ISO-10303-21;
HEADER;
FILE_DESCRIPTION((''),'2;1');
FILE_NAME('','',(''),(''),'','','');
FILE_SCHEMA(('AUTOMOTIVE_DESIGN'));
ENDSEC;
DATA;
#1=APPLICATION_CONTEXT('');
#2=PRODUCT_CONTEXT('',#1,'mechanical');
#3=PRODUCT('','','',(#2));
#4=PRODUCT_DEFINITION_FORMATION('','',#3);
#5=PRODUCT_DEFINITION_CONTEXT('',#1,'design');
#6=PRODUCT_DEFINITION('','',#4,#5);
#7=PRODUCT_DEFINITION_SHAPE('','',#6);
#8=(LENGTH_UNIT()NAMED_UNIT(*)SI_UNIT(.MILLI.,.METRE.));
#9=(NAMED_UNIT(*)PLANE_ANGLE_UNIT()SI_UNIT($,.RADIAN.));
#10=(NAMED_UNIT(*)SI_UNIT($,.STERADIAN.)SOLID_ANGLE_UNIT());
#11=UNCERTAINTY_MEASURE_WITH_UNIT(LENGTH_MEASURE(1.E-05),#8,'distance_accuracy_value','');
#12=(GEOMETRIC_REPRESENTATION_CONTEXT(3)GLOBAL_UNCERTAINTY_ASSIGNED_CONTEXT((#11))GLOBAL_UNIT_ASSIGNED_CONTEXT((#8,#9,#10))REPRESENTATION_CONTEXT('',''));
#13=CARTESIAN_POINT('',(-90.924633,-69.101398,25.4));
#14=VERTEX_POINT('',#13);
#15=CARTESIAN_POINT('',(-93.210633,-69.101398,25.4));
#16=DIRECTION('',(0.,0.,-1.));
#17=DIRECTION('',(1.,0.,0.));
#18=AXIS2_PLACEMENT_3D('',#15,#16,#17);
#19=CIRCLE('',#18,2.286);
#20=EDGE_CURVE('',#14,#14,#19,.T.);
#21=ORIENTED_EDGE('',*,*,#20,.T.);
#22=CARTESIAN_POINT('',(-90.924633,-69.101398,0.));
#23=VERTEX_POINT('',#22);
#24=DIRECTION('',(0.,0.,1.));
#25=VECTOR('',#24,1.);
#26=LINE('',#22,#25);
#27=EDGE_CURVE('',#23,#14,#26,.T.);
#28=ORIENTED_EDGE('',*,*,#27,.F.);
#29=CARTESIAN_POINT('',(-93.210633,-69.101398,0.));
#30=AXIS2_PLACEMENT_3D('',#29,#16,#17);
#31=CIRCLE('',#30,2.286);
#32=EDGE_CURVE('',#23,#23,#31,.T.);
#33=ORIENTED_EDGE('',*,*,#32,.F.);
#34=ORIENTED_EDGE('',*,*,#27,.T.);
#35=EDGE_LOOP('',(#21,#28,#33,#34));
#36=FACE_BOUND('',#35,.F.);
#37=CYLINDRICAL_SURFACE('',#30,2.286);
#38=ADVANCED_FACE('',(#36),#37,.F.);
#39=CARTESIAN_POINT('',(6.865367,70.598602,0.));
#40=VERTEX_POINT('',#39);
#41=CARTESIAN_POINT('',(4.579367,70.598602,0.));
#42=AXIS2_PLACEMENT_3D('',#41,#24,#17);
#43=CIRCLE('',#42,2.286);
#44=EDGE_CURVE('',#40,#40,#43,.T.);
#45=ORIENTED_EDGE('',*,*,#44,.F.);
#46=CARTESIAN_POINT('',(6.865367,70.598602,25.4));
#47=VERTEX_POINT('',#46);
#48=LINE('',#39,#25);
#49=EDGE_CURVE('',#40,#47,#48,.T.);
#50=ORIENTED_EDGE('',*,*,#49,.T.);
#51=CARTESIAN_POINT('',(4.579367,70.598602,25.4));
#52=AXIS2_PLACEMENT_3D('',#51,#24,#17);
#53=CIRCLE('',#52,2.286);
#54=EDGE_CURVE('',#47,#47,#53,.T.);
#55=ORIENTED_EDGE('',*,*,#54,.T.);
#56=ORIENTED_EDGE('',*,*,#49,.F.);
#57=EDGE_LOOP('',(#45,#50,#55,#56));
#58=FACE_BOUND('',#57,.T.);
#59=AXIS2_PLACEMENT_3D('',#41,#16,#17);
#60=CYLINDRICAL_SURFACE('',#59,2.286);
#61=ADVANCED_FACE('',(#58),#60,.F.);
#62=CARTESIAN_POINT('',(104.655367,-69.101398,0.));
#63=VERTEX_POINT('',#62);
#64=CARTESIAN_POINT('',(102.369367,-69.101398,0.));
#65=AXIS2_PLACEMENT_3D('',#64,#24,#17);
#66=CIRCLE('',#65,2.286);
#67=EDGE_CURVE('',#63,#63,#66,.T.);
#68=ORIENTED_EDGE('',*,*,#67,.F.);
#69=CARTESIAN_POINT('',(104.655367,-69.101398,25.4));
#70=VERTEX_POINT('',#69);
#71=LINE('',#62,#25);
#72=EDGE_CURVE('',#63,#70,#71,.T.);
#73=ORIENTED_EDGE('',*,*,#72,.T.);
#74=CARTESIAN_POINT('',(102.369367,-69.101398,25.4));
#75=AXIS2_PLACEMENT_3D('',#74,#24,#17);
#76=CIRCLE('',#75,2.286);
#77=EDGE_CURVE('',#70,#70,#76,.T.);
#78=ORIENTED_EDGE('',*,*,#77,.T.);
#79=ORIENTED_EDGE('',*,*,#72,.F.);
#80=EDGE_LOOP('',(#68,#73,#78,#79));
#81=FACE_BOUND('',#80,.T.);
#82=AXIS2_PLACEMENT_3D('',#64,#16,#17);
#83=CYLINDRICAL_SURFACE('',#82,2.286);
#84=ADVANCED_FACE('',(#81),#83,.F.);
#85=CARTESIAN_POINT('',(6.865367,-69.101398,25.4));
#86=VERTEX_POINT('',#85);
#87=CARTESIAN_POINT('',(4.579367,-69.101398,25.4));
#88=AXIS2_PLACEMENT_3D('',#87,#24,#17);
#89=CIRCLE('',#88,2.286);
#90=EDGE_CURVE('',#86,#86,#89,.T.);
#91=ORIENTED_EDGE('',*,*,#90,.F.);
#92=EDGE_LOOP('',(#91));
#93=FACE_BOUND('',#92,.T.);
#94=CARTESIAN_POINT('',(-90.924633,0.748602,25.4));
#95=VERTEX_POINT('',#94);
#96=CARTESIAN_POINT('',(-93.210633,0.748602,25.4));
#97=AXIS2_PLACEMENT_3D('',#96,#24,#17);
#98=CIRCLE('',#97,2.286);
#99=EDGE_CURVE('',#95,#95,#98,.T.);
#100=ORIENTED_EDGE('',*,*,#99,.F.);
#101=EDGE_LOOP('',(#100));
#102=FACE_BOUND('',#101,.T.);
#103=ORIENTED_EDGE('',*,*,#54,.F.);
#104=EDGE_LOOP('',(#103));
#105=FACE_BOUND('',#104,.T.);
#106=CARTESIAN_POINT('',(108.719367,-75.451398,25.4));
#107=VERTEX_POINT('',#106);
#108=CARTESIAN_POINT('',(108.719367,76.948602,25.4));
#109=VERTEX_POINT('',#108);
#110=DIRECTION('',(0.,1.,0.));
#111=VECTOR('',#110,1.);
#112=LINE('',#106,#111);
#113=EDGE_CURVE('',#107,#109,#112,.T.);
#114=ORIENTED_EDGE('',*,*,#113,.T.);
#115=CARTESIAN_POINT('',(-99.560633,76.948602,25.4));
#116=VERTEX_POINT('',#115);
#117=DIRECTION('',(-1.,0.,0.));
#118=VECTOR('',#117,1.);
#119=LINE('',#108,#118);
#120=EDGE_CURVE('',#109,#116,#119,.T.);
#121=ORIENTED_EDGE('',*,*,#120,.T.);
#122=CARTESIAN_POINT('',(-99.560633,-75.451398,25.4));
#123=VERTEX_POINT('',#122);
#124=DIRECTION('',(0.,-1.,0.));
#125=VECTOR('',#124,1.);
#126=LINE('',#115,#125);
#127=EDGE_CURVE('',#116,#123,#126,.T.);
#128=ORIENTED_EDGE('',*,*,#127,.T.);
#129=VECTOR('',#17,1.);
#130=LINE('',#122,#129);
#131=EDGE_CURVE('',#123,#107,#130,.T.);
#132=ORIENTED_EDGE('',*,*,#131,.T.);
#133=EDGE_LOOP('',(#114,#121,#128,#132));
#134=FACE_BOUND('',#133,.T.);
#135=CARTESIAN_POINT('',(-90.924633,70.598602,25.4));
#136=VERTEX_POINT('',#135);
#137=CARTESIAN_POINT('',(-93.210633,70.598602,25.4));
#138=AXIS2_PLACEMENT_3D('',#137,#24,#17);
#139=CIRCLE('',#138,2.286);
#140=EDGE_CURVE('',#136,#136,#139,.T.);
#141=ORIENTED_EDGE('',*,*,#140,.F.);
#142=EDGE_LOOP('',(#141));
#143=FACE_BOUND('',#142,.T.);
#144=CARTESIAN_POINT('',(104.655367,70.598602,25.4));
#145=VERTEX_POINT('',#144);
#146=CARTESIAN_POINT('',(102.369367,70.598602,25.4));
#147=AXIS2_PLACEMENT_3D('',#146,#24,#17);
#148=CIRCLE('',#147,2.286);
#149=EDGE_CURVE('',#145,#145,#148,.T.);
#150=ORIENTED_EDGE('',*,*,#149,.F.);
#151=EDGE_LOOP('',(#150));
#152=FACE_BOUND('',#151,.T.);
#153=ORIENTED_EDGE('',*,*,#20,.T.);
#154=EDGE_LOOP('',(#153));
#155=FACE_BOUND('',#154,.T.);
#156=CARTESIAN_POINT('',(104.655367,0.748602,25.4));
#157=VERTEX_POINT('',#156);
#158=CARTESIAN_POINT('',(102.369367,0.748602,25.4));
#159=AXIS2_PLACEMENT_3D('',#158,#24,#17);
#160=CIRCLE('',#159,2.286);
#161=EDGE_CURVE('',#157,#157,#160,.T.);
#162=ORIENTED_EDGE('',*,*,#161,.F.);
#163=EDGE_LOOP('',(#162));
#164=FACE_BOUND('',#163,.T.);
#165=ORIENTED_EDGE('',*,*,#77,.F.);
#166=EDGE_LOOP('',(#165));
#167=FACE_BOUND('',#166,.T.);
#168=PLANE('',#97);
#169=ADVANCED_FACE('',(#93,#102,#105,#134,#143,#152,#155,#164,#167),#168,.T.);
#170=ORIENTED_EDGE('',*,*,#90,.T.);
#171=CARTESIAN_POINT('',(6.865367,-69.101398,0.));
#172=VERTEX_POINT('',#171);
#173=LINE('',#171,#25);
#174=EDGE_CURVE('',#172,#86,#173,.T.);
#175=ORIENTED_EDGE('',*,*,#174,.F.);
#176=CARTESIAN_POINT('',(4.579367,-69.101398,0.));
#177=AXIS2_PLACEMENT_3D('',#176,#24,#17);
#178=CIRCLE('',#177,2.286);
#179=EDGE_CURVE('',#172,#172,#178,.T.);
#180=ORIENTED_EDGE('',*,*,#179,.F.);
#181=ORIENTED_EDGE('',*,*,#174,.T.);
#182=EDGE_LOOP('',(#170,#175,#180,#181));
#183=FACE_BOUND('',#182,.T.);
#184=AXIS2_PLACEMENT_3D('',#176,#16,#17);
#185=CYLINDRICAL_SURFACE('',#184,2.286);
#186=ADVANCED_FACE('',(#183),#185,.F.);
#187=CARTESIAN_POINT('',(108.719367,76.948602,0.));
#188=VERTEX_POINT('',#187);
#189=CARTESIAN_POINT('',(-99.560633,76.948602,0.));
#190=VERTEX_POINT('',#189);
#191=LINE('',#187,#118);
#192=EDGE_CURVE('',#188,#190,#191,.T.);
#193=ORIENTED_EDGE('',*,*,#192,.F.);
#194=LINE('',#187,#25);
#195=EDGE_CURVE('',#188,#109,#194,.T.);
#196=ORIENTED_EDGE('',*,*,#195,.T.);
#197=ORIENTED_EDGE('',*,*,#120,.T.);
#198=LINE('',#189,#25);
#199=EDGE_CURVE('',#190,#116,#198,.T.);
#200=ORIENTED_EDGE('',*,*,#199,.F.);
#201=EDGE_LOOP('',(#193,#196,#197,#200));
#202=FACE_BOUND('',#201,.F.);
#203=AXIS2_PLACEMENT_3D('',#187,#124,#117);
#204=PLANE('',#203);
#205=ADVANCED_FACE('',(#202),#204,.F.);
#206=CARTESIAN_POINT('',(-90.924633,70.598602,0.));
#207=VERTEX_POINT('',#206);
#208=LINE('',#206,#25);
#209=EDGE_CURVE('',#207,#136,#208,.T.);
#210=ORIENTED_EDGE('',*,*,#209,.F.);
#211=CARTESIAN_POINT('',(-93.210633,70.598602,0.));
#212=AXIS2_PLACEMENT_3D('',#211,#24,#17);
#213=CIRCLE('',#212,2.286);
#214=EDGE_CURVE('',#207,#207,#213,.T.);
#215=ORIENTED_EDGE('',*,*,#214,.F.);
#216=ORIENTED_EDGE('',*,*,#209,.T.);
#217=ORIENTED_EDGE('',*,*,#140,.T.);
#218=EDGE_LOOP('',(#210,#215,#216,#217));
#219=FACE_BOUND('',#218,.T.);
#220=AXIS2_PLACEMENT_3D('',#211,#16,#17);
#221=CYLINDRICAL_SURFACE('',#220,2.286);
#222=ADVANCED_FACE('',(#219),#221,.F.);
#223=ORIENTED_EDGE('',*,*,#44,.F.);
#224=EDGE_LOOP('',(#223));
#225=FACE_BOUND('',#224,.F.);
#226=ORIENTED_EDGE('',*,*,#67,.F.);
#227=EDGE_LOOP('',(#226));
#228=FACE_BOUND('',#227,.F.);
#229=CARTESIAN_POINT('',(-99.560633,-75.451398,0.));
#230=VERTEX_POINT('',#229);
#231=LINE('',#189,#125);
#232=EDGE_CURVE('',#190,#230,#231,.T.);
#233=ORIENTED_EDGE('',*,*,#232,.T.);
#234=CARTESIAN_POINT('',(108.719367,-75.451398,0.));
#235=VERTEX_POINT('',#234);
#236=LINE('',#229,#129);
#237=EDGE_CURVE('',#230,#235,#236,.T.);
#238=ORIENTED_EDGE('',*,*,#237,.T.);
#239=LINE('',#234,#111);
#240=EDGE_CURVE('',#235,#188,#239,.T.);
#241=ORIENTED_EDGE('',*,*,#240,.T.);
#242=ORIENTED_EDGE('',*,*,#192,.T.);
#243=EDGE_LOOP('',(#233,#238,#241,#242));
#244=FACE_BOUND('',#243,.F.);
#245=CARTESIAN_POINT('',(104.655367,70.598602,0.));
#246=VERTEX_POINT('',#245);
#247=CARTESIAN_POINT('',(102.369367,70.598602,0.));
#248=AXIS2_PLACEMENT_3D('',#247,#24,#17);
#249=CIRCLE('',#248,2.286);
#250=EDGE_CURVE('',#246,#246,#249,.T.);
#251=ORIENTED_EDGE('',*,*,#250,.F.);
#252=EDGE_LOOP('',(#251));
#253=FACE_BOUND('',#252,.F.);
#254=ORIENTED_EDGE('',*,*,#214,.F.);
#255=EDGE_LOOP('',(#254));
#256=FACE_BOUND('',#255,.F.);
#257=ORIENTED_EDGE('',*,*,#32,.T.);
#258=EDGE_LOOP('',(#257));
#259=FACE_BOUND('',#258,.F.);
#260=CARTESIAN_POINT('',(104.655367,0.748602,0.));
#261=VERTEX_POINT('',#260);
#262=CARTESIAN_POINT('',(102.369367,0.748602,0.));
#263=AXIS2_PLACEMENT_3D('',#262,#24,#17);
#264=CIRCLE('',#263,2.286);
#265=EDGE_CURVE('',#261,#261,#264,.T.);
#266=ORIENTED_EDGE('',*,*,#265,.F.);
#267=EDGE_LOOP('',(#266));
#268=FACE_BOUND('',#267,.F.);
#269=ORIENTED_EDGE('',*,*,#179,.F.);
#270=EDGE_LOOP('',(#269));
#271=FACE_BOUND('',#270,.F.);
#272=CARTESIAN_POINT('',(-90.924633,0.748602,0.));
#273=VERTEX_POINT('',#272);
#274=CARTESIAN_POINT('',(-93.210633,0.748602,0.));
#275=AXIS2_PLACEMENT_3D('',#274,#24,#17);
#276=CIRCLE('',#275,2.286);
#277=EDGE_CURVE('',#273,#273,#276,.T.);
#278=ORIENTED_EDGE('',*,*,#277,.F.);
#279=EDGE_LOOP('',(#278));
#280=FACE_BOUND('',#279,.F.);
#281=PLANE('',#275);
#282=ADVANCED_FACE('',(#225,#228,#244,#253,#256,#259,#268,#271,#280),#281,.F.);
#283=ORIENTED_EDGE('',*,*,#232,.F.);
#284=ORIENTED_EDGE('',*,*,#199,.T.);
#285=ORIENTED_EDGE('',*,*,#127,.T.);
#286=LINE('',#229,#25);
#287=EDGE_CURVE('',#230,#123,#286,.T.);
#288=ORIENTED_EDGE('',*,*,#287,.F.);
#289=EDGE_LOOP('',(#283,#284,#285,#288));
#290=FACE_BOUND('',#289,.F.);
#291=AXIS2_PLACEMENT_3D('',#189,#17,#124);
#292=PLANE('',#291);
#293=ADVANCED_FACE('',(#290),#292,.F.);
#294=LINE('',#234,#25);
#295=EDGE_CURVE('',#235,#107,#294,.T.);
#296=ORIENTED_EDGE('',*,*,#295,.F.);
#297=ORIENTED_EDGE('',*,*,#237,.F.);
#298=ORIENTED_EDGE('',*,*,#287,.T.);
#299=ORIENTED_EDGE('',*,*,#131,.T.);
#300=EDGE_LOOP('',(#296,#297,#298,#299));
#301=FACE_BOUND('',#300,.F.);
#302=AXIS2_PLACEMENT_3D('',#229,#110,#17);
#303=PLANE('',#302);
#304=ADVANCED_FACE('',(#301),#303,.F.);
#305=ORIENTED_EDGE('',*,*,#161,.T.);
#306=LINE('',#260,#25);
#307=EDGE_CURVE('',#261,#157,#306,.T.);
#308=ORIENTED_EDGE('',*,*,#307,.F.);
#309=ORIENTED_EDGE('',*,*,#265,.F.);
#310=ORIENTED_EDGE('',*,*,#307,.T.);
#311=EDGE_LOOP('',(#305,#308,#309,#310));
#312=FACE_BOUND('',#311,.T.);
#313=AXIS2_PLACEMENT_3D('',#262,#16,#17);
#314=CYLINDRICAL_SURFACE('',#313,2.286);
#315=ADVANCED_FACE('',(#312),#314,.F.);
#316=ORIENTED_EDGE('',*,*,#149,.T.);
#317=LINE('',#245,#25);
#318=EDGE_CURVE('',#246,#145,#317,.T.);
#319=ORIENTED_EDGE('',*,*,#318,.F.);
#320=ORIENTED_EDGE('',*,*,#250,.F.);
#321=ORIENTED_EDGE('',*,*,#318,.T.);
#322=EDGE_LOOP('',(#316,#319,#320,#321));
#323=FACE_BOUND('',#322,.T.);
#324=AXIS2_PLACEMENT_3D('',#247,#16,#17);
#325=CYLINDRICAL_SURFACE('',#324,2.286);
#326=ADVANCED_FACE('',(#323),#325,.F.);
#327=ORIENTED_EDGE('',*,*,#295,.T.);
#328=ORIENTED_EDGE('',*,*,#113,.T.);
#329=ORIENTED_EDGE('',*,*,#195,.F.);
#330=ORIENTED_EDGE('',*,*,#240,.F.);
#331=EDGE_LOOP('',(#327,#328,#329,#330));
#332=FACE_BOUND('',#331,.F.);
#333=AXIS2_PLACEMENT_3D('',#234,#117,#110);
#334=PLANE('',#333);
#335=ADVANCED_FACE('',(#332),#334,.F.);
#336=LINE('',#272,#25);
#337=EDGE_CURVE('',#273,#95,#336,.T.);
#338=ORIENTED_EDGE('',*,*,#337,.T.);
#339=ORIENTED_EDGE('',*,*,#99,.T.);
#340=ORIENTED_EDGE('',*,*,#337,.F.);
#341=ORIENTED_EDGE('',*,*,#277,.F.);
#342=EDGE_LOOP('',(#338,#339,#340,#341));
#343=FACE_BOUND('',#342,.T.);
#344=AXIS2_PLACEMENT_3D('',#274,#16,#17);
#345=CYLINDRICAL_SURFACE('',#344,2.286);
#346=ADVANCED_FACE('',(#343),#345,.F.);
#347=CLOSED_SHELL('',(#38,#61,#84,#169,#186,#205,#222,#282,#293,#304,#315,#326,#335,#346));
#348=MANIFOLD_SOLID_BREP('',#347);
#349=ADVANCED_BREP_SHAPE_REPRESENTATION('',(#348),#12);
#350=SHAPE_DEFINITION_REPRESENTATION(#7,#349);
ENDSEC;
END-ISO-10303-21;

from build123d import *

# Parameters (mm, degrees)
F0_W     = 12.7
F0_H     = 127
F0_R     = 2.286
F0_W_2   = 182.88
F0_H_2   = 12.7
F1_DEPTH = 25.4


with BuildPart() as f1:
    # F0 (on Top) → F1 (new body)
    with BuildSketch(Plane.XY):
        with Locations((-93.210633, 0.748602)):
            Rectangle(F0_W, F0_H)
        with Locations((-93.210633, 0.748602)):
            Circle(F0_R, mode=Mode.SUBTRACT)
        Polygon((96.014639, 76.948602), (-86.860633, 76.948602), (-86.860633, 64.248602), (96.019367, 64.248602), align=None)
        with Locations((4.579367, 70.598602)):
            Circle(F0_R, mode=Mode.SUBTRACT)
        Polygon((108.719367, 76.948602), (96.014639, 76.948602), (96.019367, 64.248602), (96.019367, -62.751398), (108.719367, -62.751398), align=None)
        with Locations((102.369367, 0.748602)):
            Circle(F0_R, mode=Mode.SUBTRACT)
        with Locations((102.369367, 70.598602)):
            Circle(F0_R, mode=Mode.SUBTRACT)
        with Locations((4.579367, 0.748602)):
            Rectangle(F0_W_2, F0_H)
        with BuildLine():
            Line((-95.496633, -69.101398), (-99.560633, -69.101398))
            Line((-99.560633, -69.101398), (-99.560633, -75.451398))
            Line((-99.560633, -75.451398), (-86.860633, -75.451398))
            Line((-86.860633, -75.451398), (-86.887019, -69.101398))
            Line((-86.887019, -69.101398), (-90.924633, -69.101398))
            ThreePointArc((-90.924633, -69.101398), (-93.210633, -71.387398), (-95.496633, -69.101398))
        make_face()
        with BuildLine():
            Line((-86.860633, -62.751398), (-99.560633, -62.751398))
            Line((-99.560633, -62.751398), (-99.560633, -69.101398))
            Line((-99.560633, -69.101398), (-95.496633, -69.101398))
            ThreePointArc((-95.496633, -69.101398), (-93.210633, -66.815398), (-90.924633, -69.101398))
            Line((-90.924633, -69.101398), (-86.887019, -69.101398))
            Line((-86.887019, -69.101398), (-86.860633, -75.451398))
            Line((-86.860633, -75.451398), (96.019367, -75.451398))
            Line((96.019367, -75.451398), (96.019367, -62.751398))
            Line((96.019367, -62.751398), (-86.860633, -62.751398))
        make_face()
        with Locations((4.579367, -69.101398)):
            Circle(F0_R, mode=Mode.SUBTRACT)
        with Locations((-93.210633, 70.598602)):
            Rectangle(F0_W, F0_H_2)
        with Locations((-93.210633, 70.598602)):
            Circle(F0_R, mode=Mode.SUBTRACT)
        with Locations((102.369367, -69.101398)):
            Rectangle(F0_W, F0_H_2)
        with Locations((102.369367, -69.101398)):
            Circle(F0_R, mode=Mode.SUBTRACT)
    extrude(amount=F1_DEPTH)


solid = f1.part
